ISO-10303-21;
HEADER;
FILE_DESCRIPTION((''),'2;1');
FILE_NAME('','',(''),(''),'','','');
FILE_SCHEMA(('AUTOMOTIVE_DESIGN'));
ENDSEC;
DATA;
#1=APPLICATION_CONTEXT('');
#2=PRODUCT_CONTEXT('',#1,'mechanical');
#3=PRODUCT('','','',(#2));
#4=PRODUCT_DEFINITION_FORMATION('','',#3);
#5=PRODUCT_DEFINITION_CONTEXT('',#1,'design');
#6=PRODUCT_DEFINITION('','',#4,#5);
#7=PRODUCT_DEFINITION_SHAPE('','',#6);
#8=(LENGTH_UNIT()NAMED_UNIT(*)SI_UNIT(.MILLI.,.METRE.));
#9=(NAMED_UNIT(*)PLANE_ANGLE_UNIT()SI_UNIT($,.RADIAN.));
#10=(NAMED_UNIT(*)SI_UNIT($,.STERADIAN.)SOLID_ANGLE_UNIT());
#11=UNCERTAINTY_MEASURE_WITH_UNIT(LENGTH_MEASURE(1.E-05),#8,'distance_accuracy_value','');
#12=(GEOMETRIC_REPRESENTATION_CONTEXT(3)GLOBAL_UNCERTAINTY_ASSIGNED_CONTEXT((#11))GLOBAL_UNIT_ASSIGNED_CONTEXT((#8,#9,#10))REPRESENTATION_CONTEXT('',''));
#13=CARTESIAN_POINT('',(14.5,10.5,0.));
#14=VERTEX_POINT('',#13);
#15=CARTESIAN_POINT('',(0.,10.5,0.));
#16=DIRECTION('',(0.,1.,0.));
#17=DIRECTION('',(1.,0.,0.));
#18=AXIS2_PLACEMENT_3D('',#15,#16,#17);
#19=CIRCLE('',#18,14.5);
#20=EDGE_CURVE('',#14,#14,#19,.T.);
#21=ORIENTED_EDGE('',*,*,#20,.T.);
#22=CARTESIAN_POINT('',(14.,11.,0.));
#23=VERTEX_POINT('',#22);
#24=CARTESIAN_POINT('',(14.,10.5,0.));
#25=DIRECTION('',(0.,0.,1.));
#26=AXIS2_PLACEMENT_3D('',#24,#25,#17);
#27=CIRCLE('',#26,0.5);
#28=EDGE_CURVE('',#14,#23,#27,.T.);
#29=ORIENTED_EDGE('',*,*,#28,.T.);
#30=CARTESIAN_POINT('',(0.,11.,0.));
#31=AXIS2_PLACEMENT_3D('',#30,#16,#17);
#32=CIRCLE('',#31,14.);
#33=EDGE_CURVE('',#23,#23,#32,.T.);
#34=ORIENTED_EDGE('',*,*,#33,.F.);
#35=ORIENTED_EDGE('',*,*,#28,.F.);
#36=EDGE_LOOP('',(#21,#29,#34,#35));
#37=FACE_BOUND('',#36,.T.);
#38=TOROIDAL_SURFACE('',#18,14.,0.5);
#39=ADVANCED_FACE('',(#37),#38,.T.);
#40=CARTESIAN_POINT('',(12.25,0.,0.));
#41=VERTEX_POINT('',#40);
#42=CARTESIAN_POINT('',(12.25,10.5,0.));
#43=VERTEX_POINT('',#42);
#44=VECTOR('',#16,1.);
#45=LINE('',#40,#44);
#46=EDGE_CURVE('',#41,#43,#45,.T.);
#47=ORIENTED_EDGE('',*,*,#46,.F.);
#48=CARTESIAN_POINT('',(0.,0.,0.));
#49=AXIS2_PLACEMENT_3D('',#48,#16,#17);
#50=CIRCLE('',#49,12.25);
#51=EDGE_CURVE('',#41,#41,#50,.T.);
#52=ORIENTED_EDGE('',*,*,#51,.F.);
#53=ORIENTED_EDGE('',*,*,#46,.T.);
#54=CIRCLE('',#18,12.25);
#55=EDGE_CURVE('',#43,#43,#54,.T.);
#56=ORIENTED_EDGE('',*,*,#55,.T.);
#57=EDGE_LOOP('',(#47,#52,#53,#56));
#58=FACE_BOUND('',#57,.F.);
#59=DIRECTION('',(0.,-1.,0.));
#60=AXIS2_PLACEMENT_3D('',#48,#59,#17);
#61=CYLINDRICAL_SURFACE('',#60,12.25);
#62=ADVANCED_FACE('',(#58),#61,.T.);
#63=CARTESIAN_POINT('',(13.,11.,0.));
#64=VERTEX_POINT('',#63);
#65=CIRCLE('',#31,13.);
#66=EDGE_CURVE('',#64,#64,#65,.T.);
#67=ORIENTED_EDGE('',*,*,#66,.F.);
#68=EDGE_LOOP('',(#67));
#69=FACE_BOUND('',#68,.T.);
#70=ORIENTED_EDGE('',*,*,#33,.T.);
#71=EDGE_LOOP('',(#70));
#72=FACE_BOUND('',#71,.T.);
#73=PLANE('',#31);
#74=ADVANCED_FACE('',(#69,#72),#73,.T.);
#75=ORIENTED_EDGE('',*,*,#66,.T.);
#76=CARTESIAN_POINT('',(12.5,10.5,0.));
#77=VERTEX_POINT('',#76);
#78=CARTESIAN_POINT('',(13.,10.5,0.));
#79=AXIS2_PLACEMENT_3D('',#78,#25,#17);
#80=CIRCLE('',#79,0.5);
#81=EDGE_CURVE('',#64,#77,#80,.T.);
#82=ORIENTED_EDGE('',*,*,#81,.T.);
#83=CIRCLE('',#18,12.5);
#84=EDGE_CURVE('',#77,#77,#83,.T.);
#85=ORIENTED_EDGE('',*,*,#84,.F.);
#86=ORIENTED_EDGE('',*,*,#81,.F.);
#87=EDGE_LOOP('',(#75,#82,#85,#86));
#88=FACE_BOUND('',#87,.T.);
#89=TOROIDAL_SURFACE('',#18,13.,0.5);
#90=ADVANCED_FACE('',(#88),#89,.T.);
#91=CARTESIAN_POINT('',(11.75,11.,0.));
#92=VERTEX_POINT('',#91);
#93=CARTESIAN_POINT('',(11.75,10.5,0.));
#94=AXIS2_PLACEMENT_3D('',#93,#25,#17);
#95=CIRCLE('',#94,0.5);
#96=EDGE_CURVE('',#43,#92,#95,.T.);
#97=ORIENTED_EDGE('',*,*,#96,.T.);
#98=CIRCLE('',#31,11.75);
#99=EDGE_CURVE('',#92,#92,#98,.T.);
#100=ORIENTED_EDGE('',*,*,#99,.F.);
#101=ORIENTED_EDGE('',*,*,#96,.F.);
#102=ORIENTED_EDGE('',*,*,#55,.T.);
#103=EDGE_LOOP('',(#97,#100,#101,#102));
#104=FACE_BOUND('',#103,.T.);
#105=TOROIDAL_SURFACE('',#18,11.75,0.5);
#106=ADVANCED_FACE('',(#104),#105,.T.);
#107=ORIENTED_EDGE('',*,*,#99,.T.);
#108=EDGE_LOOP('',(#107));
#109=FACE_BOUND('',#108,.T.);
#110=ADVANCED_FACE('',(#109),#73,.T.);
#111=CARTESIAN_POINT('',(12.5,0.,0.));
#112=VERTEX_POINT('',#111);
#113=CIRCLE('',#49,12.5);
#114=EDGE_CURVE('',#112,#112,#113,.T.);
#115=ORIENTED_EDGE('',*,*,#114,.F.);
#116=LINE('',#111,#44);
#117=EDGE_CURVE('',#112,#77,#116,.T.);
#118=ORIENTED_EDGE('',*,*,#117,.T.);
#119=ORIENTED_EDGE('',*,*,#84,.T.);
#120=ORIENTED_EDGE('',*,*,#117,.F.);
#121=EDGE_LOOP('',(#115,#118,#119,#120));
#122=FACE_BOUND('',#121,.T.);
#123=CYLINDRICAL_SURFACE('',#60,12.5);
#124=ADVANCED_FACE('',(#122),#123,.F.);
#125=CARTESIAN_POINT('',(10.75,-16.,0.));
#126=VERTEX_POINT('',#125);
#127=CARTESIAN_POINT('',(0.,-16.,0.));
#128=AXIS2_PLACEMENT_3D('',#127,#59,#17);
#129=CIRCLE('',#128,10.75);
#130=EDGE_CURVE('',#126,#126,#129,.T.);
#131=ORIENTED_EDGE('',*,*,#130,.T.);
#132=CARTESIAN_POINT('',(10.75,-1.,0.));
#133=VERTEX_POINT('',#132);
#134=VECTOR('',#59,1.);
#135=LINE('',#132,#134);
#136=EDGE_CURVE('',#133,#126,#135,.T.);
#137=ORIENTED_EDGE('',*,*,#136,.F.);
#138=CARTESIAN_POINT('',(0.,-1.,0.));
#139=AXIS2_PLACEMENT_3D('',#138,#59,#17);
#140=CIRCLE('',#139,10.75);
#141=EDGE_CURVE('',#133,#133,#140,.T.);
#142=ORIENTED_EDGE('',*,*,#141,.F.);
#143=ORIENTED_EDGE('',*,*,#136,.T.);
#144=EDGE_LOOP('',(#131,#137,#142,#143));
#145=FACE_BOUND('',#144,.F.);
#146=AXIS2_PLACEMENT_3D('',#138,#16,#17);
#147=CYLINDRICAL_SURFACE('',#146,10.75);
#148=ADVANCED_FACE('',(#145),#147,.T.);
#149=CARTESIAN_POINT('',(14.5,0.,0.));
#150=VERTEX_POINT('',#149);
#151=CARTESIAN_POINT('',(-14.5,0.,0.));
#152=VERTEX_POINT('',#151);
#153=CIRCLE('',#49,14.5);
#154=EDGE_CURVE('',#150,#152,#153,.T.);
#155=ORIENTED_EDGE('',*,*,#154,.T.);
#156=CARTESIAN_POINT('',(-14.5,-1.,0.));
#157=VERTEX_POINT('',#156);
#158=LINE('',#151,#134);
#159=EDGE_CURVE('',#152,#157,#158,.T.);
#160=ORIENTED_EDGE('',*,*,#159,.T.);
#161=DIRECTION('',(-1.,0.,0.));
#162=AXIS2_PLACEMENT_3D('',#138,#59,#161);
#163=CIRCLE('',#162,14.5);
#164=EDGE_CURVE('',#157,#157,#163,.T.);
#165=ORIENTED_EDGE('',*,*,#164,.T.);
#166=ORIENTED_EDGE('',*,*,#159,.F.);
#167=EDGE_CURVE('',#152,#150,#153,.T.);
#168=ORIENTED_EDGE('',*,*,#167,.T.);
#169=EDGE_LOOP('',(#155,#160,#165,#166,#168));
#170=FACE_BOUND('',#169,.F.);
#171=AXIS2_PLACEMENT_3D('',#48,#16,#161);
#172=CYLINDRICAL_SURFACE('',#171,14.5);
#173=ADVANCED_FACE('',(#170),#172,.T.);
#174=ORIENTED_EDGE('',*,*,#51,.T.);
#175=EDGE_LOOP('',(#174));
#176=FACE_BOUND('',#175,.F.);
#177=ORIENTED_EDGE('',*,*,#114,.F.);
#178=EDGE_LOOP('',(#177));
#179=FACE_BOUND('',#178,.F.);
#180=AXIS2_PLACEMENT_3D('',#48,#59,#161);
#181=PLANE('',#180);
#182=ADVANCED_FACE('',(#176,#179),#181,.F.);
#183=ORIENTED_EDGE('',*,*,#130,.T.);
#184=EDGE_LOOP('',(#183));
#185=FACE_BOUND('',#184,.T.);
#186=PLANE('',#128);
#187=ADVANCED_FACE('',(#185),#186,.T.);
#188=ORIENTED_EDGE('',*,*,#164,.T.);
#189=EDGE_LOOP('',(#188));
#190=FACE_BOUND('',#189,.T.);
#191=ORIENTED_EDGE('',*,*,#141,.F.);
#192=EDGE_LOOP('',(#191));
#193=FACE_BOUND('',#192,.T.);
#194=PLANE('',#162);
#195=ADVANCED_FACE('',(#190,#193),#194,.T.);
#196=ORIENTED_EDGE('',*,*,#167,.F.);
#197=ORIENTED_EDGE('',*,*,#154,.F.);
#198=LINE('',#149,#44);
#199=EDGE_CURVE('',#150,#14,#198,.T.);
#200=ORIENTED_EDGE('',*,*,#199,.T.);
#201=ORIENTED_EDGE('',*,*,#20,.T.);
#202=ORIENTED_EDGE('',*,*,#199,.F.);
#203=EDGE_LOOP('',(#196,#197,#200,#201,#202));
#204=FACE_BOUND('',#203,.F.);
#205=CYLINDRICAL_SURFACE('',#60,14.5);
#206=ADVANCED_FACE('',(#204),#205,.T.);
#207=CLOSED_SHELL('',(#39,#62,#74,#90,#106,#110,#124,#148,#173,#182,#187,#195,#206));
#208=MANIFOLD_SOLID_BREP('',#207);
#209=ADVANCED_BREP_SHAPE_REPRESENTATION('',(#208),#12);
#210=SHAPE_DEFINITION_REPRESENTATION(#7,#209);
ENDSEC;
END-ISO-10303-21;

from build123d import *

# Parameters (mm, degrees)
SKETCH1_R           = 14.5
SKETCH1_R_2         = 12.5
BOSS_EXTRUDE1_DEPTH = 11
SKETCH2_R           = 14.5
BOSS_EXTRUDE2_DEPTH = 1
SKETCH3_R           = 10.75
BOSS_EXTRUDE3_DEPTH = 15
SKETCH4_R           = 12.25
BOSS_EXTRUDE4_DEPTH = 11
FILLET1_R           = 0.5


with BuildPart() as part:
    # Sketch1 → Boss-Extrude1 (new body)
    with BuildSketch(Plane(origin=(0, 0, 0), x_dir=(1, 0, 0), z_dir=(0, 1, 0))):
        Circle(SKETCH1_R)
        Circle(SKETCH1_R_2, mode=Mode.SUBTRACT)
    extrude(amount=BOSS_EXTRUDE1_DEPTH)

    # Sketch2 → Boss-Extrude2 (add)
    with BuildSketch(Plane(origin=(0, 0, 0), x_dir=(-1, 0, 0), z_dir=(0, -1, 0))):
        Circle(SKETCH2_R)
    extrude(amount=BOSS_EXTRUDE2_DEPTH)

    # Sketch3 → Boss-Extrude3 (add)
    with BuildSketch(Plane.XZ.offset(1)):
        Circle(SKETCH3_R)
    extrude(amount=BOSS_EXTRUDE3_DEPTH)

    # Sketch4 → Boss-Extrude4 (add)
    with BuildSketch(Plane(origin=(0, 0, 0), x_dir=(1, 0, 0), z_dir=(0, 1, 0))):
        Circle(SKETCH4_R)
    extrude(amount=BOSS_EXTRUDE4_DEPTH)

    # Fillet1
    fillet1_edges = [part.edges().sort_by_distance(p)[0] for p in [
        (-12.25, 11, 0),
        (-14.5, 11, 0),
        (-12.5, 11, 0),
    ]]
    fillet(fillet1_edges, radius=FILLET1_R)


solid = part.part
